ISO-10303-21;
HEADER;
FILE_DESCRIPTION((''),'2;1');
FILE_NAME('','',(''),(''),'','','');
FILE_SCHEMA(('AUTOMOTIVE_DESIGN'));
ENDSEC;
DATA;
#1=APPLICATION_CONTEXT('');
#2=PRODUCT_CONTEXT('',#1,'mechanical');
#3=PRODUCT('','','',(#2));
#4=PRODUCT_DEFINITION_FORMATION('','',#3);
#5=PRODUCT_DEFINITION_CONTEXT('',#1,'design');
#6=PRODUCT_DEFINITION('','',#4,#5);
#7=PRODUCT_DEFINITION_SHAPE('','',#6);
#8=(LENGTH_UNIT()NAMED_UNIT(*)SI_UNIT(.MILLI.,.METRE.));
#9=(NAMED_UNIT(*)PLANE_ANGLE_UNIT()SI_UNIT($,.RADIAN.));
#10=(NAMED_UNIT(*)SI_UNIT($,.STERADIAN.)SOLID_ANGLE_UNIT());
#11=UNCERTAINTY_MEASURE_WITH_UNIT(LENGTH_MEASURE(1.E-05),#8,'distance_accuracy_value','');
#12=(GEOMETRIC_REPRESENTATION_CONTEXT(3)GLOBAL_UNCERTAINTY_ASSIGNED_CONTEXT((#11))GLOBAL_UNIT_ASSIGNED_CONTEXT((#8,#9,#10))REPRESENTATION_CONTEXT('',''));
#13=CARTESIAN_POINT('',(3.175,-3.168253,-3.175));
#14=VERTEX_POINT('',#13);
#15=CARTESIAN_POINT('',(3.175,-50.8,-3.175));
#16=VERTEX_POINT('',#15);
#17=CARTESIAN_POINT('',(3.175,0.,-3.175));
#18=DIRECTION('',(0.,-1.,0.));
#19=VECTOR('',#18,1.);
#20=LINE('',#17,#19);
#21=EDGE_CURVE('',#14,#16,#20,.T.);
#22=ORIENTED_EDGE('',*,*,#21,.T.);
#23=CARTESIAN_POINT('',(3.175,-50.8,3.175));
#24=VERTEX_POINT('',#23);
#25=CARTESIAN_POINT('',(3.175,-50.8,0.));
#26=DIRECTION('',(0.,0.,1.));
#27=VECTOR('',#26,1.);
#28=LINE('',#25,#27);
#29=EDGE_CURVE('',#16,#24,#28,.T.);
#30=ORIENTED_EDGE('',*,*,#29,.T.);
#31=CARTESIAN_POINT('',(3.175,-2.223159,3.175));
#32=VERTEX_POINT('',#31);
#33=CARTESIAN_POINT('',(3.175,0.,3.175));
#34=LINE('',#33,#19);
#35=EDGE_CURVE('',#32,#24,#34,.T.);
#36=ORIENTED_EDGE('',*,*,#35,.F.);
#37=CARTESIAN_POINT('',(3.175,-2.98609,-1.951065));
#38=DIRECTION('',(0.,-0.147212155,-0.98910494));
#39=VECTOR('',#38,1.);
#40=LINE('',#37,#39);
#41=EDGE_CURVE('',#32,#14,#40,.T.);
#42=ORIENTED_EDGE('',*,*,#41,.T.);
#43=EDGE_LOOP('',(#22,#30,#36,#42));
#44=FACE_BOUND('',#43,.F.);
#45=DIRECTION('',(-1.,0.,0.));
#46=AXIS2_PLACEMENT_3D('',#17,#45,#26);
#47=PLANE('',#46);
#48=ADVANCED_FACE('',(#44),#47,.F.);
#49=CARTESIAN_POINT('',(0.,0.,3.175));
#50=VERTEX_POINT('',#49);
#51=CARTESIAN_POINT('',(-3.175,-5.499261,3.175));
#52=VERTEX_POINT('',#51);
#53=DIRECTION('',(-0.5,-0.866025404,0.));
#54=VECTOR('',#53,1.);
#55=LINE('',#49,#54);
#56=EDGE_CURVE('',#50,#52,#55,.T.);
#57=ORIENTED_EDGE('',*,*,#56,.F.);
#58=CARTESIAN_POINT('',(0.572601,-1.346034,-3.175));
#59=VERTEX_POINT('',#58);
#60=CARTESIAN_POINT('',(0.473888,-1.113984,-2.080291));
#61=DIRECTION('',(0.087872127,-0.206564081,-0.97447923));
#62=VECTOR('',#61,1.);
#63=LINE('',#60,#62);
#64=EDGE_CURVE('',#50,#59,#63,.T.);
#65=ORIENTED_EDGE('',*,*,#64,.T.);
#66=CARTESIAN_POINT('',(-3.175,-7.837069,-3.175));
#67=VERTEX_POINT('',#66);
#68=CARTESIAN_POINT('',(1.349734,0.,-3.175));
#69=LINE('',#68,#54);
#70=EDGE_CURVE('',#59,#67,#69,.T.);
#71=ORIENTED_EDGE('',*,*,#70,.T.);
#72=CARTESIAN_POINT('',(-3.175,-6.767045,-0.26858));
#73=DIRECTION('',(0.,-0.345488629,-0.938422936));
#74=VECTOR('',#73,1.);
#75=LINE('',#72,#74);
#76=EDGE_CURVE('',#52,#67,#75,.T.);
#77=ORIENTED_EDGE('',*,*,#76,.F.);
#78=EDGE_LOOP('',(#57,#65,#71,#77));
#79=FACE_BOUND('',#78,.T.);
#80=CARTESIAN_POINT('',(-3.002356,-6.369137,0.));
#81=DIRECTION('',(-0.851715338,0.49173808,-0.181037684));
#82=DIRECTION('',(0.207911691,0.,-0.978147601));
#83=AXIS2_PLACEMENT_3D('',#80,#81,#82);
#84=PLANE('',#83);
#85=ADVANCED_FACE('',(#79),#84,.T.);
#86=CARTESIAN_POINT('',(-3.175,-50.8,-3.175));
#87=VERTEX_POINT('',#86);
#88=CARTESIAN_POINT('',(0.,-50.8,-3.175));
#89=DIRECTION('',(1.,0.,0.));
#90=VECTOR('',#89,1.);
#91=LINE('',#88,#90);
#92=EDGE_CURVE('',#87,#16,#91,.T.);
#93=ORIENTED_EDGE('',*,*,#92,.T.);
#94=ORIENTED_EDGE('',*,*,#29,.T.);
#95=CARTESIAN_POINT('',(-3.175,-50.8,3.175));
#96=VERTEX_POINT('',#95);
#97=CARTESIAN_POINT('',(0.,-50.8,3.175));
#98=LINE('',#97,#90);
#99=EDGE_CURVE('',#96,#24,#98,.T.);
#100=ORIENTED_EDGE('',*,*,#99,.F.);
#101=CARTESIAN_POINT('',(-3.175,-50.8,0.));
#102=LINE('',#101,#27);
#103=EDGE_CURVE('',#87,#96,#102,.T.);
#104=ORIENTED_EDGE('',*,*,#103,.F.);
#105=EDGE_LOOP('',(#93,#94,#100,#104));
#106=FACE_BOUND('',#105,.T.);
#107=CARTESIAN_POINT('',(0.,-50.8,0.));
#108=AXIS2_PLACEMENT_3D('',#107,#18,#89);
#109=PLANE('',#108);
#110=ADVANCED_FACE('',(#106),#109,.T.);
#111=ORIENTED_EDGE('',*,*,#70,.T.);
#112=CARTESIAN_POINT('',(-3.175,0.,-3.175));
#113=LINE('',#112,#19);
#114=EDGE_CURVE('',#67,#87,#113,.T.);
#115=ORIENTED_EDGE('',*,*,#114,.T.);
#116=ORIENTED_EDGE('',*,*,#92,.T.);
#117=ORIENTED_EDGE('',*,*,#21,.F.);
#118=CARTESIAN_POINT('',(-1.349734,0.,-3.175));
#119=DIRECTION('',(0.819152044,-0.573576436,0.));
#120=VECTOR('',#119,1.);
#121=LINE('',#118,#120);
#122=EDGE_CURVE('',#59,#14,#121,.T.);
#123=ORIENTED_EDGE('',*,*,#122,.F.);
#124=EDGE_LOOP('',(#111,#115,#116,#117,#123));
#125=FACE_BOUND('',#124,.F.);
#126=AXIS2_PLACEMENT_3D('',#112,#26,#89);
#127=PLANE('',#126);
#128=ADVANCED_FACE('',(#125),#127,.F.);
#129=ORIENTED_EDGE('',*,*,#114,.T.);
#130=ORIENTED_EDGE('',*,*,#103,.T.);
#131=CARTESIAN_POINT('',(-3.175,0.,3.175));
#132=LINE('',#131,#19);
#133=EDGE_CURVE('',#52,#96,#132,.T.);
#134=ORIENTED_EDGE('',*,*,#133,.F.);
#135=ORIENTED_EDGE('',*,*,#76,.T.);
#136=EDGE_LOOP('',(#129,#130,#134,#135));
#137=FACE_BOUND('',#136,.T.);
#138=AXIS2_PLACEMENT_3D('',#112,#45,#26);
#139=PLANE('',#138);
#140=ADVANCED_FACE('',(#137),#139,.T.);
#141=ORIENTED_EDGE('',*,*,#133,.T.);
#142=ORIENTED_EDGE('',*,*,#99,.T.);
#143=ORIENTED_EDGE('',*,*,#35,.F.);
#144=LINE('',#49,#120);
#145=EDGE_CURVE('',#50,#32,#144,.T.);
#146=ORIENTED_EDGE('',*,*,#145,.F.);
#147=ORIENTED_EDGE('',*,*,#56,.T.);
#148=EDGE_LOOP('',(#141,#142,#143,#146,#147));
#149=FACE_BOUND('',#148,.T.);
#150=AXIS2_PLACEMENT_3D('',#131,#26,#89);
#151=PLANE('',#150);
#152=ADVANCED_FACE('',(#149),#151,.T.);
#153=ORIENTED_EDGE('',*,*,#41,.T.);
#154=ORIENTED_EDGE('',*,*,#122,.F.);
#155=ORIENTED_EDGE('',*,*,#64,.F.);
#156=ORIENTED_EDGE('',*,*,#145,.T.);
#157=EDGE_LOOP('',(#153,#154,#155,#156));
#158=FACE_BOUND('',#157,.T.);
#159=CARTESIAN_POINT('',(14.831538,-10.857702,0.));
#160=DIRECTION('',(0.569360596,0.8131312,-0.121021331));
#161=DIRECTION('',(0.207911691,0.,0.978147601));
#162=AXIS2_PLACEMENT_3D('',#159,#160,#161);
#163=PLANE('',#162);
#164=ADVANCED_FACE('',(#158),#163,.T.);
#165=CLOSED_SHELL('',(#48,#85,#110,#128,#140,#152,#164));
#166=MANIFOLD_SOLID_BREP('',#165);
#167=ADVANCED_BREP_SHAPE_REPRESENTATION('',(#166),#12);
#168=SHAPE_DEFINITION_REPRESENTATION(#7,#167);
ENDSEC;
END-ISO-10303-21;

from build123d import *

# Parameters (mm, degrees)
F0_W     = 6.35
F0_H     = 6.35
F1_DEPTH = 50.8
F6_DEPTH = 25.4
F8_DEPTH = 25.4


with BuildPart() as f1:
    # F0 (on Front) → F1 (new body)
    with BuildSketch(Plane.XZ):
        Rectangle(F0_W, F0_H)
    extrude(amount=F1_DEPTH)

    # F5: sweep along a path in F4
    with BuildLine(Plane.XY.offset(3.175)) as f5_path:
        Line((0, 0), (-7.3544457124, -12.7382736354))
    # F3 (on face) → F5 (sweep, cut)
    with BuildSketch(Plane(origin=(0, 0, 0), x_dir=(-1, 0, 0), z_dir=(0, 1, 0))):
        Polygon((0, -3.175), (0, 3.175), (-1.3497341666, -3.175), align=None)
    sweep(path=f5_path.line, mode=Mode.SUBTRACT)

    # F2 (on face) → F6 (cut)
    with BuildSketch(Plane.XY.offset(3.175)):
        Polygon((-3.175, -5.499261314), (0, 0), (-3.175, 0), align=None)
    extrude(amount=-F6_DEPTH, mode=Mode.SUBTRACT)

    # F7: sweep along a path in F4
    with BuildLine(Plane.XY.offset(3.175)) as f7_path:
        Line((0, 0), (31.0128101016, -21.7154034142))
    # F3 (on face) → F7 (sweep, cut)
    with BuildSketch(Plane(origin=(0, 0, 0), x_dir=(-1, 0, 0), z_dir=(0, 1, 0))):
        Polygon((1.3497341666, -3.175), (0, 3.175), (0, -3.175), align=None)
    sweep(path=f7_path.line, mode=Mode.SUBTRACT)

    # F4 (on face) → F8 (cut)
    with BuildSketch(Plane.XY.offset(3.175)):
        Polygon((3.175, 0), (0, 0), (3.175, -2.2231589338), align=None)
    extrude(amount=-F8_DEPTH, mode=Mode.SUBTRACT)


solid = f1.part
